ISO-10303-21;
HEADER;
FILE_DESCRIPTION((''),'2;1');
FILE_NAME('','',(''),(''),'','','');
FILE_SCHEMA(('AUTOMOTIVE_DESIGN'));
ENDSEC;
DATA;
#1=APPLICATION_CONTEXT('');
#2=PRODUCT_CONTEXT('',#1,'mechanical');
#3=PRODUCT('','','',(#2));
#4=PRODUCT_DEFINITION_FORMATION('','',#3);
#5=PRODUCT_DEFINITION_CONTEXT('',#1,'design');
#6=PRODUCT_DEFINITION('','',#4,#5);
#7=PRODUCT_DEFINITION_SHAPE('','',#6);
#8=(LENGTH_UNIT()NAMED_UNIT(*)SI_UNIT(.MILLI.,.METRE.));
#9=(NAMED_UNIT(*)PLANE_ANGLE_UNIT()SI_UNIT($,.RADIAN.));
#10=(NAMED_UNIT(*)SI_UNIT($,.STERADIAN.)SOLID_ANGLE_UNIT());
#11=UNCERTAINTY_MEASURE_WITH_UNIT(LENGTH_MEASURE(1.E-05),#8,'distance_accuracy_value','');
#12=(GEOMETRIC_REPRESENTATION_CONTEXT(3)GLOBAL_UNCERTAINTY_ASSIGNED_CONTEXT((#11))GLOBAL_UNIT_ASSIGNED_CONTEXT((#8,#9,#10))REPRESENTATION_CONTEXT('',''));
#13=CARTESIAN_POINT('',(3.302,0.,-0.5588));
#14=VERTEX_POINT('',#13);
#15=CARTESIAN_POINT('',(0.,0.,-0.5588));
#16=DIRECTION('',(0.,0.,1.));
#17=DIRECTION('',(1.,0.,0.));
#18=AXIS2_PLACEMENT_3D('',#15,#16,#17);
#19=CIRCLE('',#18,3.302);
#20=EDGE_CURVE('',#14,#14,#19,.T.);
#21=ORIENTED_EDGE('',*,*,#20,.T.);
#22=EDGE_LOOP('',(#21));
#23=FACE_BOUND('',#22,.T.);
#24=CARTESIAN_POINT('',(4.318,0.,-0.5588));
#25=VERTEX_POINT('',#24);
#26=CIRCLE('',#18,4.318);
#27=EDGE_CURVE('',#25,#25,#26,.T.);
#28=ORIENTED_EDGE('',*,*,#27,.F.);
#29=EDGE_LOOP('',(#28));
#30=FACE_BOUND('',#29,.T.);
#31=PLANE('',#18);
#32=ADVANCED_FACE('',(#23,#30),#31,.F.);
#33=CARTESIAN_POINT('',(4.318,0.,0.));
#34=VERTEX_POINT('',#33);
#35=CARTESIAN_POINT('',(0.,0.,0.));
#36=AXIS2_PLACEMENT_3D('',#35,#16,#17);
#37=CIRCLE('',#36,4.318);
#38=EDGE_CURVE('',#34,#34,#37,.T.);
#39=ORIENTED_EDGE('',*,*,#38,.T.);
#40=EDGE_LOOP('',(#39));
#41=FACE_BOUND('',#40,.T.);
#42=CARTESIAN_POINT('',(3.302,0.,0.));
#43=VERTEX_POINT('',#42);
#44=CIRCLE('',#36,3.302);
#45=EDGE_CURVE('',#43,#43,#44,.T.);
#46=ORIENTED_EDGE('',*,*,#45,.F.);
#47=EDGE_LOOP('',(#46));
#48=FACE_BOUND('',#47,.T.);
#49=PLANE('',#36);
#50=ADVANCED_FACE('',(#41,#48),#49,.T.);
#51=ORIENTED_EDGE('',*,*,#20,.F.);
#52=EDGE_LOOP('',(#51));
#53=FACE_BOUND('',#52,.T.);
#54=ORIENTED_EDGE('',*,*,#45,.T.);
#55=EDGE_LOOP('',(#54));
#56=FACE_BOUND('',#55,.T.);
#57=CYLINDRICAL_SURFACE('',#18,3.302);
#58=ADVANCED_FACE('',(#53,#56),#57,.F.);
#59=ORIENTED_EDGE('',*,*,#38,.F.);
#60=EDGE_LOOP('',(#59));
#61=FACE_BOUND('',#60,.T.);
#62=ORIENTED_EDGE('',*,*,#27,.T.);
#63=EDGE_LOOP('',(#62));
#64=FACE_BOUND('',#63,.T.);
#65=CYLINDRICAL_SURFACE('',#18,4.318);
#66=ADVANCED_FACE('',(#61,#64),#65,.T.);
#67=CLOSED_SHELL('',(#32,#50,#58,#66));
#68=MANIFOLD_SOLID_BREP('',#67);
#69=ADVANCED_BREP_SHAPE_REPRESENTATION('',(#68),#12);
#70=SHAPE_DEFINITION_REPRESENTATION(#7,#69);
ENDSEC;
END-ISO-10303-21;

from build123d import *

# Parameters (mm, degrees)
SKETCH1_R      = 4.318
SKETCH1_R_2    = 3.302
EXTRUDE1_DEPTH = 0.5588


with BuildPart() as part:
    # Sketch1 → Extrude1 (new body)
    with BuildSketch(Plane.XY):
        Circle(SKETCH1_R)
        Circle(SKETCH1_R_2, mode=Mode.SUBTRACT)
    extrude(amount=-EXTRUDE1_DEPTH)


solid = part.part
